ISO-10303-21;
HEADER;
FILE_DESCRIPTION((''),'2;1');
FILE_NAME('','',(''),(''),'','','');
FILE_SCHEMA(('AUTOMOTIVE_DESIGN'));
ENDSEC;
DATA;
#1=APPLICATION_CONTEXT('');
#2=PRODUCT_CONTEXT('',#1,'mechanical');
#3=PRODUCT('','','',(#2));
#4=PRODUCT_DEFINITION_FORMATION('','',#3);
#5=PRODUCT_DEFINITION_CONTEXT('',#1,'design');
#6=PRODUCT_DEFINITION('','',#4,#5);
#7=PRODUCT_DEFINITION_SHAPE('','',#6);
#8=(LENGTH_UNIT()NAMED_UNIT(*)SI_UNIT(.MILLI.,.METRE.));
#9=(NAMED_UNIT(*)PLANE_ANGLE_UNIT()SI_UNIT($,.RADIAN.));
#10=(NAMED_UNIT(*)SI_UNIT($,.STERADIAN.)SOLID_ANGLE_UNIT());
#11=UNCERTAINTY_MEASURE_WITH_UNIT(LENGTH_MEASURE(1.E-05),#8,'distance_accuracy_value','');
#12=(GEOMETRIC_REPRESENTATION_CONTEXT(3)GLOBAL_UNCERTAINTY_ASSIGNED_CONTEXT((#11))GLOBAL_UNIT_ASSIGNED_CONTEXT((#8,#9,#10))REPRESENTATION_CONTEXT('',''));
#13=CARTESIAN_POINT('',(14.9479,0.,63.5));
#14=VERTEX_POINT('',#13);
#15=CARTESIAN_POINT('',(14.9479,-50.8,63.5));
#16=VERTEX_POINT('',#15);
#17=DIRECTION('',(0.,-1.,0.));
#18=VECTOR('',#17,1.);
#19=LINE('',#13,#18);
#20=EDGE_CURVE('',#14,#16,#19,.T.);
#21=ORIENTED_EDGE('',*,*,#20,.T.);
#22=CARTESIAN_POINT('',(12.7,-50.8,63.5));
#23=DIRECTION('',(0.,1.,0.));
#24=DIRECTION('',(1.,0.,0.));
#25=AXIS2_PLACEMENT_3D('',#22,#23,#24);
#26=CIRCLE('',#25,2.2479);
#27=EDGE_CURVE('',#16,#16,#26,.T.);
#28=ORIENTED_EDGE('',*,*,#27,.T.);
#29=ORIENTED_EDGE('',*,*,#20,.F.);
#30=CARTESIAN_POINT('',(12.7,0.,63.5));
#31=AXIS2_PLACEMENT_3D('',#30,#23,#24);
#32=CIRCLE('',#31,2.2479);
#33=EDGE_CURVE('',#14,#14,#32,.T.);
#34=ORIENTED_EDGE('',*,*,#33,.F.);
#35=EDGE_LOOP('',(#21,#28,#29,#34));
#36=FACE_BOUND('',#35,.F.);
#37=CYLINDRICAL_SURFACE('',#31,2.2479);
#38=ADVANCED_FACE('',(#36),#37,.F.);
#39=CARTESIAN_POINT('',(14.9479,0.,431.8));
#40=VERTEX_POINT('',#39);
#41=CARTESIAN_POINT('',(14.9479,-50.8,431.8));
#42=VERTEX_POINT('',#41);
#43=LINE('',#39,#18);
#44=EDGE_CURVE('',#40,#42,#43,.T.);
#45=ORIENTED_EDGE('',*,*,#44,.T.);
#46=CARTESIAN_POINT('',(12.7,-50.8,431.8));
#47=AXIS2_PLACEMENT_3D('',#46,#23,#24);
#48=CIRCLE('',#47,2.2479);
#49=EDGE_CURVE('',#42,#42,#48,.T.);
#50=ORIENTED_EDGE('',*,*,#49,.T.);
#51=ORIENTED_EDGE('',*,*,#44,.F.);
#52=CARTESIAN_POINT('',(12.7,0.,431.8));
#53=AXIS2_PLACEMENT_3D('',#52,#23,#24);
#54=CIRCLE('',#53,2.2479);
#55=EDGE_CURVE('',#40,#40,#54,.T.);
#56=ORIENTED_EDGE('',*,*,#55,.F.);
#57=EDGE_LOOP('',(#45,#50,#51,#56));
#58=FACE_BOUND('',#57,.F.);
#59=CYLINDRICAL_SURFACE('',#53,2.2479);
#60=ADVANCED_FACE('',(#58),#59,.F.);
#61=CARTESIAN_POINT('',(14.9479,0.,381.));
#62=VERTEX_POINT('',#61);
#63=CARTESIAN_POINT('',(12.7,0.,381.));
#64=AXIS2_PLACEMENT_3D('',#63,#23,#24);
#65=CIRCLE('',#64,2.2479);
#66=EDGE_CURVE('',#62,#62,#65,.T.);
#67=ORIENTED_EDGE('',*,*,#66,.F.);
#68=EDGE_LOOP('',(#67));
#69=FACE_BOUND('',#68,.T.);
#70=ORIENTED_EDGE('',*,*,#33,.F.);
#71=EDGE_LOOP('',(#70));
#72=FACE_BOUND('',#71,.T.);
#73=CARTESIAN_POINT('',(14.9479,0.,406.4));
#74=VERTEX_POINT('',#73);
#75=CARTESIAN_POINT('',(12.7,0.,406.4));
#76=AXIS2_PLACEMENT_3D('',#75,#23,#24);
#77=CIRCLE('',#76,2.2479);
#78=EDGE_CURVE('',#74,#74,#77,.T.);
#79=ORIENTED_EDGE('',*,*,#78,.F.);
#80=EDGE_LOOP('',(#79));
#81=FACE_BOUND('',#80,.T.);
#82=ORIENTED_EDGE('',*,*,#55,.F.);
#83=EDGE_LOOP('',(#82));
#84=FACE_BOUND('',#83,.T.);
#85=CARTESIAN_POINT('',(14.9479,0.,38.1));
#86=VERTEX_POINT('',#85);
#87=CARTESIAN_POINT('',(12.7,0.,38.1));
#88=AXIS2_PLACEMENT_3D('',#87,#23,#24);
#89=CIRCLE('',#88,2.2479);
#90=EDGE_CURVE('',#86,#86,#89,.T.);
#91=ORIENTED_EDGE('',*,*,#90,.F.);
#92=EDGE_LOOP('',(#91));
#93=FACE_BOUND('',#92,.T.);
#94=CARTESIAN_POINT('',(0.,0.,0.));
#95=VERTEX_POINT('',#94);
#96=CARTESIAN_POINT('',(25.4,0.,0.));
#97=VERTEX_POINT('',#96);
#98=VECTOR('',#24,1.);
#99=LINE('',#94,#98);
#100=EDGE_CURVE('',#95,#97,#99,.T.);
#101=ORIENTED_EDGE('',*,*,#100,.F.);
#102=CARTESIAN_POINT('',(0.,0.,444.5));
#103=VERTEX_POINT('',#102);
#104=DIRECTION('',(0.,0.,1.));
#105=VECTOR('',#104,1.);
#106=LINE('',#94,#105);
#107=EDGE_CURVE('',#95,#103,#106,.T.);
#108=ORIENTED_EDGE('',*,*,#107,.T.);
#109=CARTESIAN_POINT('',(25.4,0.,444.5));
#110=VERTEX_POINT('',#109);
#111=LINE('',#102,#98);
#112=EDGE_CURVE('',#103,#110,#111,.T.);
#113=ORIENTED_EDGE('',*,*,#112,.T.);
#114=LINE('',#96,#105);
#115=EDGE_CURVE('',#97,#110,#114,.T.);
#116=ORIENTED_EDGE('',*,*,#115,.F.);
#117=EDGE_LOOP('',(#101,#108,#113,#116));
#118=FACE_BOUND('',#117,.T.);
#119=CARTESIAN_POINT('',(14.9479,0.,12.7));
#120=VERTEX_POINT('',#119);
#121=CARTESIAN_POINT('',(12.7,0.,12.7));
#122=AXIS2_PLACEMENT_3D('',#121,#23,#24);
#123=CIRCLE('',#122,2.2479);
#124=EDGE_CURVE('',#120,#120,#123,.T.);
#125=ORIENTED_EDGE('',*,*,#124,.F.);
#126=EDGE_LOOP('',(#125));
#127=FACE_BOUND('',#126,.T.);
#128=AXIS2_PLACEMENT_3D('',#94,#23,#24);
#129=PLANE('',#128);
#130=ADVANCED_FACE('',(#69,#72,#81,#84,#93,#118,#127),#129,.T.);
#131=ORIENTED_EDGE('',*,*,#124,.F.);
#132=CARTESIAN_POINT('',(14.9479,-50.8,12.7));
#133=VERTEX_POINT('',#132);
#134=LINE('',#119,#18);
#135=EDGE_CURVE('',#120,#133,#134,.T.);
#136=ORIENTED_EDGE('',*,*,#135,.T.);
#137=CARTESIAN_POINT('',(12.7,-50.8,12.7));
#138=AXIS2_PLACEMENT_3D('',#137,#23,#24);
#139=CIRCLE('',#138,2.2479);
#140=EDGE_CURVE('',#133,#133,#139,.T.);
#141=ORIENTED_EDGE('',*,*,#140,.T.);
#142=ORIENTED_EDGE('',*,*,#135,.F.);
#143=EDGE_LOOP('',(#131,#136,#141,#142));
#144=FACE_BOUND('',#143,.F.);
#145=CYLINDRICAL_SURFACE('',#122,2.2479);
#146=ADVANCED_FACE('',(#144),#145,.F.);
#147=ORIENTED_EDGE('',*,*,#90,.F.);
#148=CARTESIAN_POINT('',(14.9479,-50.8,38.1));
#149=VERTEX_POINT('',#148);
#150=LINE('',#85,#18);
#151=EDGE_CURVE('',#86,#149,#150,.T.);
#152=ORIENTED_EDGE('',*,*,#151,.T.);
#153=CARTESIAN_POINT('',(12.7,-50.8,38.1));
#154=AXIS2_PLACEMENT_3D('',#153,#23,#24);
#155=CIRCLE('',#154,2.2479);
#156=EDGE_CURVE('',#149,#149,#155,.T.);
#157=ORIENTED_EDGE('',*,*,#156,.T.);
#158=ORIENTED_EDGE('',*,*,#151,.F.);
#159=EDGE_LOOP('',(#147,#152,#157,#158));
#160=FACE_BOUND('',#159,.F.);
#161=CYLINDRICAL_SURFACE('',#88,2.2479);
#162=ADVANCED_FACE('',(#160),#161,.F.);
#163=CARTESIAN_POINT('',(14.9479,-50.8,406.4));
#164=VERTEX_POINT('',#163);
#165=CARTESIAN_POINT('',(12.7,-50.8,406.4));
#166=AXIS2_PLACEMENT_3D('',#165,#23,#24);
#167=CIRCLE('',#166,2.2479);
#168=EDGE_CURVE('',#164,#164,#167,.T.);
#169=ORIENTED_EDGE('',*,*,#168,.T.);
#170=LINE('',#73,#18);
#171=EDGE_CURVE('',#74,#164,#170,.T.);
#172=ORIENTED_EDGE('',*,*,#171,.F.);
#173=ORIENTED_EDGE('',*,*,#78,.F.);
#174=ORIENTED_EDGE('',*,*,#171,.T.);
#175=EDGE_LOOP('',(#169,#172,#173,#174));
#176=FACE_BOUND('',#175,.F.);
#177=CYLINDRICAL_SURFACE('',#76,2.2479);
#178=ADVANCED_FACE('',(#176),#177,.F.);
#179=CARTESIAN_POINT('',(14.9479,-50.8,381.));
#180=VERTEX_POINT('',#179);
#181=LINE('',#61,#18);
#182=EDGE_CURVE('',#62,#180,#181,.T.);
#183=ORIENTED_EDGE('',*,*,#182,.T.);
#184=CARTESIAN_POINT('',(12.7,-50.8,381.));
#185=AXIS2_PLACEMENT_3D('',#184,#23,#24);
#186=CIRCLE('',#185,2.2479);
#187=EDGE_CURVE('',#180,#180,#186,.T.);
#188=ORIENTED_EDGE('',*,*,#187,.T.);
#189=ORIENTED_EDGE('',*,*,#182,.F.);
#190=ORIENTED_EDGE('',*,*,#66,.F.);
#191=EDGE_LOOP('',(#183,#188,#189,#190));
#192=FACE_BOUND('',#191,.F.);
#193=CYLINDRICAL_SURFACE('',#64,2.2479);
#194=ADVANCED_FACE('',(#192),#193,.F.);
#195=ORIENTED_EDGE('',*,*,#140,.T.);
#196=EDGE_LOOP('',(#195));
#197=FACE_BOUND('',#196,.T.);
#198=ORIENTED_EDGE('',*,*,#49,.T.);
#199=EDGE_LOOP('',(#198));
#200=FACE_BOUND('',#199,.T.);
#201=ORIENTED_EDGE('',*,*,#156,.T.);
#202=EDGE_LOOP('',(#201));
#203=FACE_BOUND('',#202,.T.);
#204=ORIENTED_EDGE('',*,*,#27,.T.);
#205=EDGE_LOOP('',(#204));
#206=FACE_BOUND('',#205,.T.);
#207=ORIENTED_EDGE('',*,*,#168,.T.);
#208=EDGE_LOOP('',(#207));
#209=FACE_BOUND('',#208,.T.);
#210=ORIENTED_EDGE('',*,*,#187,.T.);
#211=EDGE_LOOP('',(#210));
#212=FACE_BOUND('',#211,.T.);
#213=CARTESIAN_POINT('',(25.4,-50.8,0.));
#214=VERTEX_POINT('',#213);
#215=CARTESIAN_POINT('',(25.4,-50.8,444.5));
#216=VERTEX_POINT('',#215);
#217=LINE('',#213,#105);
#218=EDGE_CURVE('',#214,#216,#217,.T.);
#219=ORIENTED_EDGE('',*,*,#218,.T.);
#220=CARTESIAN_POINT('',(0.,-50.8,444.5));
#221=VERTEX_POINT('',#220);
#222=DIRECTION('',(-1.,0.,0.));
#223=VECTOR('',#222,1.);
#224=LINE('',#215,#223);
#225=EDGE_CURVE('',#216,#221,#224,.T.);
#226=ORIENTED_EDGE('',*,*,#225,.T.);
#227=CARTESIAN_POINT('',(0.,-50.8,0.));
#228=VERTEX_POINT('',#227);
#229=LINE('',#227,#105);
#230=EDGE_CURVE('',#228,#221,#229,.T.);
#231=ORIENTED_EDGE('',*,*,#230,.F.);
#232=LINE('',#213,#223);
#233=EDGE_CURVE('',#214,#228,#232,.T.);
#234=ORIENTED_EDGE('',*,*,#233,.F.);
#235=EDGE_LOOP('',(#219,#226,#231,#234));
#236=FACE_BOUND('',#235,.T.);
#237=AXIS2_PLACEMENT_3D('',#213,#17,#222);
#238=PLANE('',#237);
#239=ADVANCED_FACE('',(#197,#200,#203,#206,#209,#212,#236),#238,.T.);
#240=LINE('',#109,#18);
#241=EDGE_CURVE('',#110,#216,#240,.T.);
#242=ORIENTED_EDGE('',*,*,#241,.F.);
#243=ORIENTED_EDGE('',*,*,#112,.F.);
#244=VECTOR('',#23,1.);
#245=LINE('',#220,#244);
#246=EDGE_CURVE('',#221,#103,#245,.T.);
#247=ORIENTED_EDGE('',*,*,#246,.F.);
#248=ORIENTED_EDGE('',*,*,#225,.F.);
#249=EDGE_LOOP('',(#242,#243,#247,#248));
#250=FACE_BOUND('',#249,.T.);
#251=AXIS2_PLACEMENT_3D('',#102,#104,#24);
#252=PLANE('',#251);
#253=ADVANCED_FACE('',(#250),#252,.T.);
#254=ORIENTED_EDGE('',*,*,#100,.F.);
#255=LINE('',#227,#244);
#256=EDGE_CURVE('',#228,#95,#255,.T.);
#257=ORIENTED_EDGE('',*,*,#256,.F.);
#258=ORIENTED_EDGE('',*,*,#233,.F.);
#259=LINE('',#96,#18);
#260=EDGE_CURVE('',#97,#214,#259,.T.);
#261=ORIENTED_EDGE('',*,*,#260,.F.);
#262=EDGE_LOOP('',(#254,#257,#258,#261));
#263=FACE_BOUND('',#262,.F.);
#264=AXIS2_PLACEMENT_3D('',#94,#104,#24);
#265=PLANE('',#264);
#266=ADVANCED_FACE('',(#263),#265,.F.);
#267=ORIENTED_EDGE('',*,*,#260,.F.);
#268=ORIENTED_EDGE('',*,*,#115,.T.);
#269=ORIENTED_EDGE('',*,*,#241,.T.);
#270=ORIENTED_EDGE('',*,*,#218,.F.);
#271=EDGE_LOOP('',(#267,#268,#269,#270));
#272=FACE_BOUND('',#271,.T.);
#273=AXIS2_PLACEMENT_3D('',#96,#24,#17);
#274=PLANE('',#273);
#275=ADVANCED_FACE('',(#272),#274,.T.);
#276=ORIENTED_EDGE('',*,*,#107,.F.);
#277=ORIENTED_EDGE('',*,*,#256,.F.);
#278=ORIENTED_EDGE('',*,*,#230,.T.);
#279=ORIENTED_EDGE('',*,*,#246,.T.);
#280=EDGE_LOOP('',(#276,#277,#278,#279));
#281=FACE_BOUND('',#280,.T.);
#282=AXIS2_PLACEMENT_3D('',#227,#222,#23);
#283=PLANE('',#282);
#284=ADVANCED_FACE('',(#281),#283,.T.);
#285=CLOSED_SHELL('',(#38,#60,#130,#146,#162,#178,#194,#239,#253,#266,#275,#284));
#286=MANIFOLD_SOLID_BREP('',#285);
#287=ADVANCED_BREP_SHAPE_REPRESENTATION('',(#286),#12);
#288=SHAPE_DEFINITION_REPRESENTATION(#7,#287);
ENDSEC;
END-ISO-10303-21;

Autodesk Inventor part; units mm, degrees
ref_plane "YZ Plane" through (0, 0, 0) normal (1, 0, 0) x (0, 1, 0)
ref_plane "XZ Plane" through (0, 0, 0) normal (0, 1, 0) x (-1, 0, 0)
ref_plane "XY Plane" through (0, 0, 0) normal (0, 0, 1) x (1, 0, 0)
sketch "Sketch2" plane through (0, 0, 0) normal (0, 0, 1) x (1, 0, 0)
  line L0 (0, 0) -> (25.4, 0)
  line L1 (25.4, 0) -> (25.4, -50.8)
  line L2 (25.4, -50.8) -> (0, -50.8)
  line L3 (0, -50.8) -> (0, 0)
  dimension "d4" = 25.4
  dimension "d5" = 50.8
extrude "Extrusion2" add sketch "Sketch2" along normal blind 444.5
sketch "Sketch3" plane through (0, 0, 0) normal (0, 1, 0) x (1, 0, 0)
  circle A0 centre (12.7, -431.8) radius 2.2479
  line L0 (0, 0) -> (0, -444.5) projected
  line L1 (25.4, -444.5) -> (0, -444.5) projected
  circle A1 centre (12.7, -406.4) radius 2.2479
  circle A2 centre (12.7, -381) radius 2.2479
  dimension "d8" = 4.4958
  dimension "d9" = 12.7
  dimension "d10" = 12.7
  dimension "d13" = 25.4
extrude "Extrusion3" cut sketch "Sketch3" against normal blind 609.6
sketch "Sketch4" plane through (0, 0, 0) normal (0, 1, 0) x (1, 0, 0)
  circle A0 centre (12.7, -12.7) radius 2.2479
  line L0 (25.4, 0) -> (0, 0) projected
  line L1 (25.4, 0) -> (25.4, -444.5) projected
  circle A1 centre (12.7, -38.1) radius 2.2479
  circle A2 centre (12.7, -63.5) radius 2.2479
  dimension "d20" = 4.4958
  dimension "d21" = 12.7
  dimension "d22" = 12.7
  dimension "d25" = 25.4
extrude "Extrusion4" cut sketch "Sketch4" against normal blind 609.6
properties part number "Chassis Bar" material "Polyethylene, High Density"
